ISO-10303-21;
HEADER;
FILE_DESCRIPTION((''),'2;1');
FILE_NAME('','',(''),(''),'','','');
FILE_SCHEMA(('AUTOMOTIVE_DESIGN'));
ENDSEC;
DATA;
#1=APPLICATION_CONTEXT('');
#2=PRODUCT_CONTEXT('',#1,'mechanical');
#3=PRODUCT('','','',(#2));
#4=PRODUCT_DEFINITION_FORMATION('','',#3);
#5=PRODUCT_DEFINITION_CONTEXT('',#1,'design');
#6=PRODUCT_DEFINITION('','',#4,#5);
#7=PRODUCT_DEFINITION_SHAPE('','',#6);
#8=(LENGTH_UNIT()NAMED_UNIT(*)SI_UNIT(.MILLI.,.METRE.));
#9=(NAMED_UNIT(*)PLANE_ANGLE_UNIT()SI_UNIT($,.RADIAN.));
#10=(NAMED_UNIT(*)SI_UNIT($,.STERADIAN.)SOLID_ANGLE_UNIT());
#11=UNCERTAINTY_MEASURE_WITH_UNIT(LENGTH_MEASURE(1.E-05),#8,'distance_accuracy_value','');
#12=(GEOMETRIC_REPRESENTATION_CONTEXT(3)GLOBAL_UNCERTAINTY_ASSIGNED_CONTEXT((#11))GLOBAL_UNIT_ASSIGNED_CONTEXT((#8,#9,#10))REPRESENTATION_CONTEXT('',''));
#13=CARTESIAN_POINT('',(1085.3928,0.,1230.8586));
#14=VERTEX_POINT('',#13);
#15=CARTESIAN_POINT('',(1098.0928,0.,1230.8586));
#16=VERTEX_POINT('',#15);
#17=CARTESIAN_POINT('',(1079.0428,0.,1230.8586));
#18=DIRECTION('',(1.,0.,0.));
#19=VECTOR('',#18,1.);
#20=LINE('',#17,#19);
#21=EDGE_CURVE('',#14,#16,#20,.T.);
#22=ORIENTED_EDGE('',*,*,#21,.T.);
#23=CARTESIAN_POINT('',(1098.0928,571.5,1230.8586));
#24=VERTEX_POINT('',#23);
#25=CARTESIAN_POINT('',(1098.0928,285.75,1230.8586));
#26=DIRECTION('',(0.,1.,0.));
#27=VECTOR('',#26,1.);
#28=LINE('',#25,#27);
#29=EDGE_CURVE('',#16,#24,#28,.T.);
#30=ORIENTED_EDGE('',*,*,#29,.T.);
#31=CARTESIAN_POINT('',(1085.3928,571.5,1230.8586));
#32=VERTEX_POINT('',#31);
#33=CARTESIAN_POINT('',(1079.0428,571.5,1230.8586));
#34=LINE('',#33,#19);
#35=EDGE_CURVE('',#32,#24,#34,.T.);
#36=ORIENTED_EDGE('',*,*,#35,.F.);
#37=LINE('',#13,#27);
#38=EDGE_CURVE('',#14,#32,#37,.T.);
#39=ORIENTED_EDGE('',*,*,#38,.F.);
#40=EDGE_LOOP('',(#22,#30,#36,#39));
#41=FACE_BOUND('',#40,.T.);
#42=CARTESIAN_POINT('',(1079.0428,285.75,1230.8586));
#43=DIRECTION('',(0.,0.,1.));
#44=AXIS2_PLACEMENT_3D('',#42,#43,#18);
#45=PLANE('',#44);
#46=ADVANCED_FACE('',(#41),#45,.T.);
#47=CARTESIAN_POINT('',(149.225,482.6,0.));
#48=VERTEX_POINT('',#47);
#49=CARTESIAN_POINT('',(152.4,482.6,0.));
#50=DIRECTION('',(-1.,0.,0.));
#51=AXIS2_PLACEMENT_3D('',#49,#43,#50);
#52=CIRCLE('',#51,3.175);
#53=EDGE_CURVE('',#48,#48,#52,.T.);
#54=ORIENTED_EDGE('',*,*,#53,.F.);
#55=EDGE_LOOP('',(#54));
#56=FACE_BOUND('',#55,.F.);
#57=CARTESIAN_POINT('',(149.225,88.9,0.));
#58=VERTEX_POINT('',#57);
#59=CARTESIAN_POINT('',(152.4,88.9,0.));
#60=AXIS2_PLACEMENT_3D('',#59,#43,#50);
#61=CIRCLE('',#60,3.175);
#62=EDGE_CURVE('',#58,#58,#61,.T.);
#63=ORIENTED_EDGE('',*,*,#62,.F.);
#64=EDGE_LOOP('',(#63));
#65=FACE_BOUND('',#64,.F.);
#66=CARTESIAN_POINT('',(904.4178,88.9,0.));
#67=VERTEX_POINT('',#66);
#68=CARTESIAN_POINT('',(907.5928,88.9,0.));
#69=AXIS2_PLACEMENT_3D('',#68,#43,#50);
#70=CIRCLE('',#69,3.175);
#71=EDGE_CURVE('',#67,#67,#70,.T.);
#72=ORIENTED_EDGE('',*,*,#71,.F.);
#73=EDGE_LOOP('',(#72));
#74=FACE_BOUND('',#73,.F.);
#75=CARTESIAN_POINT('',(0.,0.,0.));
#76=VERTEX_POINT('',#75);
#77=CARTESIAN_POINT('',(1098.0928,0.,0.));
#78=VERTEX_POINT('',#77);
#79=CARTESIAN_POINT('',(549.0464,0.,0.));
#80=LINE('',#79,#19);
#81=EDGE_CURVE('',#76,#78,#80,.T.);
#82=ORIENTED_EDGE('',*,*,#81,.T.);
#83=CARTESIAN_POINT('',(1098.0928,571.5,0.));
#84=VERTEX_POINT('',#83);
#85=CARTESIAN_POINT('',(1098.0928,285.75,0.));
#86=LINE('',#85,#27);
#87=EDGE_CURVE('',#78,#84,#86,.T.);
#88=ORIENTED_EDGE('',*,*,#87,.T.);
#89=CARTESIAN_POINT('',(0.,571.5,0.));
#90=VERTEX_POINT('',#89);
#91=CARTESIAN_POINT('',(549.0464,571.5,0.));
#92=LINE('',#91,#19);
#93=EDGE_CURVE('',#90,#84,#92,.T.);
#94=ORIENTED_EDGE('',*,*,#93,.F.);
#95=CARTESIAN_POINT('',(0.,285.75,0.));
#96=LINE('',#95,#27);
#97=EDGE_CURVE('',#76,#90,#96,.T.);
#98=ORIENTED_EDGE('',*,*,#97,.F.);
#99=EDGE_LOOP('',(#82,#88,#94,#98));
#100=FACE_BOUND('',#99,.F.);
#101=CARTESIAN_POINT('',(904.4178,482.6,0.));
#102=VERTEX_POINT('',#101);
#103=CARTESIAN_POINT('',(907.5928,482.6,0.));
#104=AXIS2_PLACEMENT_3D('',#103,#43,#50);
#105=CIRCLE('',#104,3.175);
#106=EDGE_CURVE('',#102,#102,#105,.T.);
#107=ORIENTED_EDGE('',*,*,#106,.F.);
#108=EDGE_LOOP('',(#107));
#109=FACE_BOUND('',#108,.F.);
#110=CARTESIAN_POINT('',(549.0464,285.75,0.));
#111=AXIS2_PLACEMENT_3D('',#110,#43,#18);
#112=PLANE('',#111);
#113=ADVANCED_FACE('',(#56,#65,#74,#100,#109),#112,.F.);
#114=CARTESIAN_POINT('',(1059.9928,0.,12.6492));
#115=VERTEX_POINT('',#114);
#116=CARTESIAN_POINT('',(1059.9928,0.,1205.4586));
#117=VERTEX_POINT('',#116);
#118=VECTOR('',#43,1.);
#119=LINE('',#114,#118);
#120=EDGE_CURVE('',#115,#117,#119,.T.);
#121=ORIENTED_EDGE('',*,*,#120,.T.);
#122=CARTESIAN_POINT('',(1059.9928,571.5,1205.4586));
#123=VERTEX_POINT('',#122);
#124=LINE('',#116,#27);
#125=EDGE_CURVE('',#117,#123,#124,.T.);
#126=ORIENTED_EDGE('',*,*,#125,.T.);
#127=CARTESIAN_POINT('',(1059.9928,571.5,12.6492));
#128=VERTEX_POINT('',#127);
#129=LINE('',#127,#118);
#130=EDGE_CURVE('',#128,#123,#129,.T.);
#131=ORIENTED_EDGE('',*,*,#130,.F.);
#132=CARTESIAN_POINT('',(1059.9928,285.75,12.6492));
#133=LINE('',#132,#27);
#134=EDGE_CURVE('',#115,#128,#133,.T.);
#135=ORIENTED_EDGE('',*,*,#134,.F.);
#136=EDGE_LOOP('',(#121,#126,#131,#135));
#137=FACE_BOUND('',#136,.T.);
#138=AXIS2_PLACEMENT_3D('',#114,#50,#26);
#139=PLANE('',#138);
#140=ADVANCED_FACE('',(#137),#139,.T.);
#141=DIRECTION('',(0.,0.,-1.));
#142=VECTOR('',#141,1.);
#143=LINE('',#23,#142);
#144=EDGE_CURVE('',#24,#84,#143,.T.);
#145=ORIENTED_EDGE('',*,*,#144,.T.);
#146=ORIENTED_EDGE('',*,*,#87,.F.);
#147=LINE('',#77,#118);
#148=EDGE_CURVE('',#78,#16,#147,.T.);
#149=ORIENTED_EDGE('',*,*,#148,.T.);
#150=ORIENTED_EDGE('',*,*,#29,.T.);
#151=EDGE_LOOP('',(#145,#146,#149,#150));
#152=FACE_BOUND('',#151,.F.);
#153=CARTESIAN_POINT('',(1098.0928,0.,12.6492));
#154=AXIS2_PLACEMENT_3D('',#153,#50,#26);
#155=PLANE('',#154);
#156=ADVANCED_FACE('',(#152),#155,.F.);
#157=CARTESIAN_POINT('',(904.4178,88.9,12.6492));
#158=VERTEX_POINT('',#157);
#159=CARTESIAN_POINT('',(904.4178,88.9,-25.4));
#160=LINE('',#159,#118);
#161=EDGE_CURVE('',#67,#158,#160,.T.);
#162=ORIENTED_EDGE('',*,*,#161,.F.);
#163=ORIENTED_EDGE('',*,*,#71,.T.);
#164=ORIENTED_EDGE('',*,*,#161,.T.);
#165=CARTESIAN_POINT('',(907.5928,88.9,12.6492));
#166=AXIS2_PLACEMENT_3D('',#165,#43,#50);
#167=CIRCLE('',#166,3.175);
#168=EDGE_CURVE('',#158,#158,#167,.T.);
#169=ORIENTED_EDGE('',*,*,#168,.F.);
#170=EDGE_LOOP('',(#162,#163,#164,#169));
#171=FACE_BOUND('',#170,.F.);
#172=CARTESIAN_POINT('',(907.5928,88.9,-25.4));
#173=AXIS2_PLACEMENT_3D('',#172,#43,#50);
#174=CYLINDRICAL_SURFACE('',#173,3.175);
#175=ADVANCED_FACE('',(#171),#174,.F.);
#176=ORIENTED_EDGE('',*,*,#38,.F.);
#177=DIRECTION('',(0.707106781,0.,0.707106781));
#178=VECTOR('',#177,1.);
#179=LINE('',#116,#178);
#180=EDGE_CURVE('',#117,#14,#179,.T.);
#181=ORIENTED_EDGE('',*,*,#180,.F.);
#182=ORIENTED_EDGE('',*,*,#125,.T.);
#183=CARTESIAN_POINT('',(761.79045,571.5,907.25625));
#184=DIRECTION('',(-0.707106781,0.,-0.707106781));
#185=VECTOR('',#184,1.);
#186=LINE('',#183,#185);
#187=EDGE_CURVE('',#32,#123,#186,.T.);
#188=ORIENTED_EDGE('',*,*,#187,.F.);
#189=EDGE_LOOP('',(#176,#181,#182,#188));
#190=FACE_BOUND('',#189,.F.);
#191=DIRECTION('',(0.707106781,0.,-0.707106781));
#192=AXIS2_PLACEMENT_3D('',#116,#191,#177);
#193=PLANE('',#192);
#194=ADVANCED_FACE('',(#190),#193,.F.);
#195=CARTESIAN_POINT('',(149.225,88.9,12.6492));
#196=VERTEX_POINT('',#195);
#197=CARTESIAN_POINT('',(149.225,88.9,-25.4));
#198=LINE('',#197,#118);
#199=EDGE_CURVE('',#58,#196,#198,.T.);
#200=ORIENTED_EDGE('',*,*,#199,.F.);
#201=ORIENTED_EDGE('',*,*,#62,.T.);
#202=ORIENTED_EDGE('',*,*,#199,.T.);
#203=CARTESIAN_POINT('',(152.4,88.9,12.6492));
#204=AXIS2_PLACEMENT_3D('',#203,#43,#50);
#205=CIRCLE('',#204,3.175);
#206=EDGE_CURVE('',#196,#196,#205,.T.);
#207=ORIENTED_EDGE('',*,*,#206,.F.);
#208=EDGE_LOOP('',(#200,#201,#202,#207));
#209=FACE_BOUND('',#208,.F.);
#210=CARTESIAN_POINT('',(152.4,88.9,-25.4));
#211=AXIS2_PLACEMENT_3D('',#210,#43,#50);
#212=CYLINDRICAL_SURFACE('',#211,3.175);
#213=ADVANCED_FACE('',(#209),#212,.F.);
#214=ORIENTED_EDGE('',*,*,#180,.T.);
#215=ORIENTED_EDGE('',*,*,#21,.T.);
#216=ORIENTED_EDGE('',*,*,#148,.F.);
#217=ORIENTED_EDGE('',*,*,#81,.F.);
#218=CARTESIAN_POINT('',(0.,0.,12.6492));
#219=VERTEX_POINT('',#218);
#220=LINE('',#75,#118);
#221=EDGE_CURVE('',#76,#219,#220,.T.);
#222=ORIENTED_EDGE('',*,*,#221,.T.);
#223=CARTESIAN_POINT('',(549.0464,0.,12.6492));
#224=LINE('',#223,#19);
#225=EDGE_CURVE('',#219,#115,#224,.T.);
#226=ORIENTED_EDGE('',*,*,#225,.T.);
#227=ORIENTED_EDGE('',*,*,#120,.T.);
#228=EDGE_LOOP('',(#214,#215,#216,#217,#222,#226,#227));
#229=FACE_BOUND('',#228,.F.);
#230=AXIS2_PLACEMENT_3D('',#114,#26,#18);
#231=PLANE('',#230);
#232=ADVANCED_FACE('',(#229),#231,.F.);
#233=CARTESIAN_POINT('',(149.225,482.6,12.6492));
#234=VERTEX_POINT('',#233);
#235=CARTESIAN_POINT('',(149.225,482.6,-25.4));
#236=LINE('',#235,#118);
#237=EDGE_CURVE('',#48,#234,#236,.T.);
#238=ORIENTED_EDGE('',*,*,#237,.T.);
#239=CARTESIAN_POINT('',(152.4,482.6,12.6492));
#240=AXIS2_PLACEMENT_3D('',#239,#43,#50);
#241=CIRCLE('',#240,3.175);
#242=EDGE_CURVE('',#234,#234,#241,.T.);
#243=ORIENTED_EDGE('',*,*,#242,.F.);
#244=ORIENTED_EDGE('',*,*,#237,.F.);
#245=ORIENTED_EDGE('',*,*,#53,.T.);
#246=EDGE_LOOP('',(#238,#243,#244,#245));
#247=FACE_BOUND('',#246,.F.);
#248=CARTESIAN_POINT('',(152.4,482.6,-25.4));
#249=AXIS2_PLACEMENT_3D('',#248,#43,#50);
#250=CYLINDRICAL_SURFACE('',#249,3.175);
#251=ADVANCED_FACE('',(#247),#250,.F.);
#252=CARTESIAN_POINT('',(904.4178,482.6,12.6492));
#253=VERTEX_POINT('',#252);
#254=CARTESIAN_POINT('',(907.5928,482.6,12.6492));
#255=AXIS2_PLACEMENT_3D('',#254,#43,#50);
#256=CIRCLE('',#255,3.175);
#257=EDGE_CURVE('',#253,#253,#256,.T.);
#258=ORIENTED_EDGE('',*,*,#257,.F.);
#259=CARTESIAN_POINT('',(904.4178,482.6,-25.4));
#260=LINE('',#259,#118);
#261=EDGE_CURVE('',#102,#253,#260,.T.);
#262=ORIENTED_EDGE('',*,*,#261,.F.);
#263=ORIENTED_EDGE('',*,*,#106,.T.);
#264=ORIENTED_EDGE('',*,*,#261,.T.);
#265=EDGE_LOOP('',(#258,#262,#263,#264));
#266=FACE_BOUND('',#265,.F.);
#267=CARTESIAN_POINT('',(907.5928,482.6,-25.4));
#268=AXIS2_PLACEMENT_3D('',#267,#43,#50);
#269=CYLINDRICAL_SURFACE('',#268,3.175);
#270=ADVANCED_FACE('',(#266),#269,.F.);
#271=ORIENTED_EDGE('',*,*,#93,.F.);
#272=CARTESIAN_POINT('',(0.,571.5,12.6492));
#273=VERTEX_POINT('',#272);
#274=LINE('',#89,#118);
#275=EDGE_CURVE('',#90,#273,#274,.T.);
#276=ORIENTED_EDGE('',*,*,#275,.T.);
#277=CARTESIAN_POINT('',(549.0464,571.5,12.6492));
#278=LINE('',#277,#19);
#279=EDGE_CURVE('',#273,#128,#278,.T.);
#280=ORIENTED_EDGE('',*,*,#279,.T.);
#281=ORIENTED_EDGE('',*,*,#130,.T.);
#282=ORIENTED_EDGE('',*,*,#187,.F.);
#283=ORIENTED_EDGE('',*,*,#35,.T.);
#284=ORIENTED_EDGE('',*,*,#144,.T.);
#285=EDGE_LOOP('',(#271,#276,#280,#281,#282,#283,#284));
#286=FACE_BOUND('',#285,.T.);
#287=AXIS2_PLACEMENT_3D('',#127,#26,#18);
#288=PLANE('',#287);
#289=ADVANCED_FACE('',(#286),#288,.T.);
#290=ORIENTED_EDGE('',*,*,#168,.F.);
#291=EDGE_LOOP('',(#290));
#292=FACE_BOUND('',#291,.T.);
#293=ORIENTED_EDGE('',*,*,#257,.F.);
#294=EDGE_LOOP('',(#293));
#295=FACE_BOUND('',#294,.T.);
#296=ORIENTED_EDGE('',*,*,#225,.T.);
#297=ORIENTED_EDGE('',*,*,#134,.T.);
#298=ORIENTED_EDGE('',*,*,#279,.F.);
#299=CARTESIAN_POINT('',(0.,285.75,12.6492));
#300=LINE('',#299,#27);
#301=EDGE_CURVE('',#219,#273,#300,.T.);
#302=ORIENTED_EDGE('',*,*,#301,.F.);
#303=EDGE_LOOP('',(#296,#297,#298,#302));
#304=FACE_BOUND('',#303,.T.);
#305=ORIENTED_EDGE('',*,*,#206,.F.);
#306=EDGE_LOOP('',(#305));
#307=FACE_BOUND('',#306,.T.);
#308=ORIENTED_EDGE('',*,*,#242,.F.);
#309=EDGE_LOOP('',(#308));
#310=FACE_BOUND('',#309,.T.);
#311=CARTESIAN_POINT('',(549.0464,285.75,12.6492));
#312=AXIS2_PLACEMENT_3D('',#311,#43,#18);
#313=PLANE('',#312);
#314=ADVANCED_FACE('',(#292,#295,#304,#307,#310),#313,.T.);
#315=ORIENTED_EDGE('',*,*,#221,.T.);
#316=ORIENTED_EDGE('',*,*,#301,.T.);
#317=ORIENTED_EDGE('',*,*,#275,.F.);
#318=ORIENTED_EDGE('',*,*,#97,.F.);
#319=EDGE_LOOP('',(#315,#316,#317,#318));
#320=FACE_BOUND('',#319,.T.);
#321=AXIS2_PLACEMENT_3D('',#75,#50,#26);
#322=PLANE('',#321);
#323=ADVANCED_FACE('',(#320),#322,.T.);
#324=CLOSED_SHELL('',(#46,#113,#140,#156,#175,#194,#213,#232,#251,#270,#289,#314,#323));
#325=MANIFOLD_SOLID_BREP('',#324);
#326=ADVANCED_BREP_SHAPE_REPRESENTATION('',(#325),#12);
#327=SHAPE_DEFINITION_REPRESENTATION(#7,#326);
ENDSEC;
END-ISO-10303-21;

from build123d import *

# Parameters (mm, degrees)
F0_W     = 1098.0928
F0_H     = 571.5
F1_DEPTH = 12.6492
F2_W     = 38.1
F2_H     = 571.5
F3_DEPTH = 1218.2094
F5_DEPTH = 1270
F6_D     = 6.35
F6_DEPTH = 25.4
F6_TIP   = 1.9077324654


with BuildPart() as f1:
    # F0 (on Top) → F1 (new body)
    with BuildSketch(Plane.XY):
        with Locations((549.0464, 285.75)):
            Rectangle(F0_W, F0_H)
    extrude(amount=F1_DEPTH)

    # F2 (on face) → F3 (join)
    with BuildSketch(Plane.XY.offset(12.6492)):
        with Locations((1079.0428, 285.75)):
            Rectangle(F2_W, F2_H)
    extrude(amount=F3_DEPTH)

    # F4 (on face) → F5 (cut)
    with BuildSketch(Plane.XZ):
        Polygon((1059.9928, 1205.4586), (1085.3928, 1230.8586), (1059.9928, 1230.8586), align=None)
    extrude(amount=-F5_DEPTH, mode=Mode.SUBTRACT)

    # F6
    with Locations(Plane(origin=(0, 0, 0), x_dir=(1, 0, 0), z_dir=(0, 0, -1))):
        with Locations((152.4, -482.6), (907.5928, -482.6), (907.5928, -88.9), (152.4, -88.9)):
            Hole(F6_D / 2, depth=F6_DEPTH)
            with Locations((0, 0, -(F6_DEPTH + F6_TIP / 2))):  # 118° drill point
                Cone(0, F6_D / 2, F6_TIP, mode=Mode.SUBTRACT)


solid = f1.part
